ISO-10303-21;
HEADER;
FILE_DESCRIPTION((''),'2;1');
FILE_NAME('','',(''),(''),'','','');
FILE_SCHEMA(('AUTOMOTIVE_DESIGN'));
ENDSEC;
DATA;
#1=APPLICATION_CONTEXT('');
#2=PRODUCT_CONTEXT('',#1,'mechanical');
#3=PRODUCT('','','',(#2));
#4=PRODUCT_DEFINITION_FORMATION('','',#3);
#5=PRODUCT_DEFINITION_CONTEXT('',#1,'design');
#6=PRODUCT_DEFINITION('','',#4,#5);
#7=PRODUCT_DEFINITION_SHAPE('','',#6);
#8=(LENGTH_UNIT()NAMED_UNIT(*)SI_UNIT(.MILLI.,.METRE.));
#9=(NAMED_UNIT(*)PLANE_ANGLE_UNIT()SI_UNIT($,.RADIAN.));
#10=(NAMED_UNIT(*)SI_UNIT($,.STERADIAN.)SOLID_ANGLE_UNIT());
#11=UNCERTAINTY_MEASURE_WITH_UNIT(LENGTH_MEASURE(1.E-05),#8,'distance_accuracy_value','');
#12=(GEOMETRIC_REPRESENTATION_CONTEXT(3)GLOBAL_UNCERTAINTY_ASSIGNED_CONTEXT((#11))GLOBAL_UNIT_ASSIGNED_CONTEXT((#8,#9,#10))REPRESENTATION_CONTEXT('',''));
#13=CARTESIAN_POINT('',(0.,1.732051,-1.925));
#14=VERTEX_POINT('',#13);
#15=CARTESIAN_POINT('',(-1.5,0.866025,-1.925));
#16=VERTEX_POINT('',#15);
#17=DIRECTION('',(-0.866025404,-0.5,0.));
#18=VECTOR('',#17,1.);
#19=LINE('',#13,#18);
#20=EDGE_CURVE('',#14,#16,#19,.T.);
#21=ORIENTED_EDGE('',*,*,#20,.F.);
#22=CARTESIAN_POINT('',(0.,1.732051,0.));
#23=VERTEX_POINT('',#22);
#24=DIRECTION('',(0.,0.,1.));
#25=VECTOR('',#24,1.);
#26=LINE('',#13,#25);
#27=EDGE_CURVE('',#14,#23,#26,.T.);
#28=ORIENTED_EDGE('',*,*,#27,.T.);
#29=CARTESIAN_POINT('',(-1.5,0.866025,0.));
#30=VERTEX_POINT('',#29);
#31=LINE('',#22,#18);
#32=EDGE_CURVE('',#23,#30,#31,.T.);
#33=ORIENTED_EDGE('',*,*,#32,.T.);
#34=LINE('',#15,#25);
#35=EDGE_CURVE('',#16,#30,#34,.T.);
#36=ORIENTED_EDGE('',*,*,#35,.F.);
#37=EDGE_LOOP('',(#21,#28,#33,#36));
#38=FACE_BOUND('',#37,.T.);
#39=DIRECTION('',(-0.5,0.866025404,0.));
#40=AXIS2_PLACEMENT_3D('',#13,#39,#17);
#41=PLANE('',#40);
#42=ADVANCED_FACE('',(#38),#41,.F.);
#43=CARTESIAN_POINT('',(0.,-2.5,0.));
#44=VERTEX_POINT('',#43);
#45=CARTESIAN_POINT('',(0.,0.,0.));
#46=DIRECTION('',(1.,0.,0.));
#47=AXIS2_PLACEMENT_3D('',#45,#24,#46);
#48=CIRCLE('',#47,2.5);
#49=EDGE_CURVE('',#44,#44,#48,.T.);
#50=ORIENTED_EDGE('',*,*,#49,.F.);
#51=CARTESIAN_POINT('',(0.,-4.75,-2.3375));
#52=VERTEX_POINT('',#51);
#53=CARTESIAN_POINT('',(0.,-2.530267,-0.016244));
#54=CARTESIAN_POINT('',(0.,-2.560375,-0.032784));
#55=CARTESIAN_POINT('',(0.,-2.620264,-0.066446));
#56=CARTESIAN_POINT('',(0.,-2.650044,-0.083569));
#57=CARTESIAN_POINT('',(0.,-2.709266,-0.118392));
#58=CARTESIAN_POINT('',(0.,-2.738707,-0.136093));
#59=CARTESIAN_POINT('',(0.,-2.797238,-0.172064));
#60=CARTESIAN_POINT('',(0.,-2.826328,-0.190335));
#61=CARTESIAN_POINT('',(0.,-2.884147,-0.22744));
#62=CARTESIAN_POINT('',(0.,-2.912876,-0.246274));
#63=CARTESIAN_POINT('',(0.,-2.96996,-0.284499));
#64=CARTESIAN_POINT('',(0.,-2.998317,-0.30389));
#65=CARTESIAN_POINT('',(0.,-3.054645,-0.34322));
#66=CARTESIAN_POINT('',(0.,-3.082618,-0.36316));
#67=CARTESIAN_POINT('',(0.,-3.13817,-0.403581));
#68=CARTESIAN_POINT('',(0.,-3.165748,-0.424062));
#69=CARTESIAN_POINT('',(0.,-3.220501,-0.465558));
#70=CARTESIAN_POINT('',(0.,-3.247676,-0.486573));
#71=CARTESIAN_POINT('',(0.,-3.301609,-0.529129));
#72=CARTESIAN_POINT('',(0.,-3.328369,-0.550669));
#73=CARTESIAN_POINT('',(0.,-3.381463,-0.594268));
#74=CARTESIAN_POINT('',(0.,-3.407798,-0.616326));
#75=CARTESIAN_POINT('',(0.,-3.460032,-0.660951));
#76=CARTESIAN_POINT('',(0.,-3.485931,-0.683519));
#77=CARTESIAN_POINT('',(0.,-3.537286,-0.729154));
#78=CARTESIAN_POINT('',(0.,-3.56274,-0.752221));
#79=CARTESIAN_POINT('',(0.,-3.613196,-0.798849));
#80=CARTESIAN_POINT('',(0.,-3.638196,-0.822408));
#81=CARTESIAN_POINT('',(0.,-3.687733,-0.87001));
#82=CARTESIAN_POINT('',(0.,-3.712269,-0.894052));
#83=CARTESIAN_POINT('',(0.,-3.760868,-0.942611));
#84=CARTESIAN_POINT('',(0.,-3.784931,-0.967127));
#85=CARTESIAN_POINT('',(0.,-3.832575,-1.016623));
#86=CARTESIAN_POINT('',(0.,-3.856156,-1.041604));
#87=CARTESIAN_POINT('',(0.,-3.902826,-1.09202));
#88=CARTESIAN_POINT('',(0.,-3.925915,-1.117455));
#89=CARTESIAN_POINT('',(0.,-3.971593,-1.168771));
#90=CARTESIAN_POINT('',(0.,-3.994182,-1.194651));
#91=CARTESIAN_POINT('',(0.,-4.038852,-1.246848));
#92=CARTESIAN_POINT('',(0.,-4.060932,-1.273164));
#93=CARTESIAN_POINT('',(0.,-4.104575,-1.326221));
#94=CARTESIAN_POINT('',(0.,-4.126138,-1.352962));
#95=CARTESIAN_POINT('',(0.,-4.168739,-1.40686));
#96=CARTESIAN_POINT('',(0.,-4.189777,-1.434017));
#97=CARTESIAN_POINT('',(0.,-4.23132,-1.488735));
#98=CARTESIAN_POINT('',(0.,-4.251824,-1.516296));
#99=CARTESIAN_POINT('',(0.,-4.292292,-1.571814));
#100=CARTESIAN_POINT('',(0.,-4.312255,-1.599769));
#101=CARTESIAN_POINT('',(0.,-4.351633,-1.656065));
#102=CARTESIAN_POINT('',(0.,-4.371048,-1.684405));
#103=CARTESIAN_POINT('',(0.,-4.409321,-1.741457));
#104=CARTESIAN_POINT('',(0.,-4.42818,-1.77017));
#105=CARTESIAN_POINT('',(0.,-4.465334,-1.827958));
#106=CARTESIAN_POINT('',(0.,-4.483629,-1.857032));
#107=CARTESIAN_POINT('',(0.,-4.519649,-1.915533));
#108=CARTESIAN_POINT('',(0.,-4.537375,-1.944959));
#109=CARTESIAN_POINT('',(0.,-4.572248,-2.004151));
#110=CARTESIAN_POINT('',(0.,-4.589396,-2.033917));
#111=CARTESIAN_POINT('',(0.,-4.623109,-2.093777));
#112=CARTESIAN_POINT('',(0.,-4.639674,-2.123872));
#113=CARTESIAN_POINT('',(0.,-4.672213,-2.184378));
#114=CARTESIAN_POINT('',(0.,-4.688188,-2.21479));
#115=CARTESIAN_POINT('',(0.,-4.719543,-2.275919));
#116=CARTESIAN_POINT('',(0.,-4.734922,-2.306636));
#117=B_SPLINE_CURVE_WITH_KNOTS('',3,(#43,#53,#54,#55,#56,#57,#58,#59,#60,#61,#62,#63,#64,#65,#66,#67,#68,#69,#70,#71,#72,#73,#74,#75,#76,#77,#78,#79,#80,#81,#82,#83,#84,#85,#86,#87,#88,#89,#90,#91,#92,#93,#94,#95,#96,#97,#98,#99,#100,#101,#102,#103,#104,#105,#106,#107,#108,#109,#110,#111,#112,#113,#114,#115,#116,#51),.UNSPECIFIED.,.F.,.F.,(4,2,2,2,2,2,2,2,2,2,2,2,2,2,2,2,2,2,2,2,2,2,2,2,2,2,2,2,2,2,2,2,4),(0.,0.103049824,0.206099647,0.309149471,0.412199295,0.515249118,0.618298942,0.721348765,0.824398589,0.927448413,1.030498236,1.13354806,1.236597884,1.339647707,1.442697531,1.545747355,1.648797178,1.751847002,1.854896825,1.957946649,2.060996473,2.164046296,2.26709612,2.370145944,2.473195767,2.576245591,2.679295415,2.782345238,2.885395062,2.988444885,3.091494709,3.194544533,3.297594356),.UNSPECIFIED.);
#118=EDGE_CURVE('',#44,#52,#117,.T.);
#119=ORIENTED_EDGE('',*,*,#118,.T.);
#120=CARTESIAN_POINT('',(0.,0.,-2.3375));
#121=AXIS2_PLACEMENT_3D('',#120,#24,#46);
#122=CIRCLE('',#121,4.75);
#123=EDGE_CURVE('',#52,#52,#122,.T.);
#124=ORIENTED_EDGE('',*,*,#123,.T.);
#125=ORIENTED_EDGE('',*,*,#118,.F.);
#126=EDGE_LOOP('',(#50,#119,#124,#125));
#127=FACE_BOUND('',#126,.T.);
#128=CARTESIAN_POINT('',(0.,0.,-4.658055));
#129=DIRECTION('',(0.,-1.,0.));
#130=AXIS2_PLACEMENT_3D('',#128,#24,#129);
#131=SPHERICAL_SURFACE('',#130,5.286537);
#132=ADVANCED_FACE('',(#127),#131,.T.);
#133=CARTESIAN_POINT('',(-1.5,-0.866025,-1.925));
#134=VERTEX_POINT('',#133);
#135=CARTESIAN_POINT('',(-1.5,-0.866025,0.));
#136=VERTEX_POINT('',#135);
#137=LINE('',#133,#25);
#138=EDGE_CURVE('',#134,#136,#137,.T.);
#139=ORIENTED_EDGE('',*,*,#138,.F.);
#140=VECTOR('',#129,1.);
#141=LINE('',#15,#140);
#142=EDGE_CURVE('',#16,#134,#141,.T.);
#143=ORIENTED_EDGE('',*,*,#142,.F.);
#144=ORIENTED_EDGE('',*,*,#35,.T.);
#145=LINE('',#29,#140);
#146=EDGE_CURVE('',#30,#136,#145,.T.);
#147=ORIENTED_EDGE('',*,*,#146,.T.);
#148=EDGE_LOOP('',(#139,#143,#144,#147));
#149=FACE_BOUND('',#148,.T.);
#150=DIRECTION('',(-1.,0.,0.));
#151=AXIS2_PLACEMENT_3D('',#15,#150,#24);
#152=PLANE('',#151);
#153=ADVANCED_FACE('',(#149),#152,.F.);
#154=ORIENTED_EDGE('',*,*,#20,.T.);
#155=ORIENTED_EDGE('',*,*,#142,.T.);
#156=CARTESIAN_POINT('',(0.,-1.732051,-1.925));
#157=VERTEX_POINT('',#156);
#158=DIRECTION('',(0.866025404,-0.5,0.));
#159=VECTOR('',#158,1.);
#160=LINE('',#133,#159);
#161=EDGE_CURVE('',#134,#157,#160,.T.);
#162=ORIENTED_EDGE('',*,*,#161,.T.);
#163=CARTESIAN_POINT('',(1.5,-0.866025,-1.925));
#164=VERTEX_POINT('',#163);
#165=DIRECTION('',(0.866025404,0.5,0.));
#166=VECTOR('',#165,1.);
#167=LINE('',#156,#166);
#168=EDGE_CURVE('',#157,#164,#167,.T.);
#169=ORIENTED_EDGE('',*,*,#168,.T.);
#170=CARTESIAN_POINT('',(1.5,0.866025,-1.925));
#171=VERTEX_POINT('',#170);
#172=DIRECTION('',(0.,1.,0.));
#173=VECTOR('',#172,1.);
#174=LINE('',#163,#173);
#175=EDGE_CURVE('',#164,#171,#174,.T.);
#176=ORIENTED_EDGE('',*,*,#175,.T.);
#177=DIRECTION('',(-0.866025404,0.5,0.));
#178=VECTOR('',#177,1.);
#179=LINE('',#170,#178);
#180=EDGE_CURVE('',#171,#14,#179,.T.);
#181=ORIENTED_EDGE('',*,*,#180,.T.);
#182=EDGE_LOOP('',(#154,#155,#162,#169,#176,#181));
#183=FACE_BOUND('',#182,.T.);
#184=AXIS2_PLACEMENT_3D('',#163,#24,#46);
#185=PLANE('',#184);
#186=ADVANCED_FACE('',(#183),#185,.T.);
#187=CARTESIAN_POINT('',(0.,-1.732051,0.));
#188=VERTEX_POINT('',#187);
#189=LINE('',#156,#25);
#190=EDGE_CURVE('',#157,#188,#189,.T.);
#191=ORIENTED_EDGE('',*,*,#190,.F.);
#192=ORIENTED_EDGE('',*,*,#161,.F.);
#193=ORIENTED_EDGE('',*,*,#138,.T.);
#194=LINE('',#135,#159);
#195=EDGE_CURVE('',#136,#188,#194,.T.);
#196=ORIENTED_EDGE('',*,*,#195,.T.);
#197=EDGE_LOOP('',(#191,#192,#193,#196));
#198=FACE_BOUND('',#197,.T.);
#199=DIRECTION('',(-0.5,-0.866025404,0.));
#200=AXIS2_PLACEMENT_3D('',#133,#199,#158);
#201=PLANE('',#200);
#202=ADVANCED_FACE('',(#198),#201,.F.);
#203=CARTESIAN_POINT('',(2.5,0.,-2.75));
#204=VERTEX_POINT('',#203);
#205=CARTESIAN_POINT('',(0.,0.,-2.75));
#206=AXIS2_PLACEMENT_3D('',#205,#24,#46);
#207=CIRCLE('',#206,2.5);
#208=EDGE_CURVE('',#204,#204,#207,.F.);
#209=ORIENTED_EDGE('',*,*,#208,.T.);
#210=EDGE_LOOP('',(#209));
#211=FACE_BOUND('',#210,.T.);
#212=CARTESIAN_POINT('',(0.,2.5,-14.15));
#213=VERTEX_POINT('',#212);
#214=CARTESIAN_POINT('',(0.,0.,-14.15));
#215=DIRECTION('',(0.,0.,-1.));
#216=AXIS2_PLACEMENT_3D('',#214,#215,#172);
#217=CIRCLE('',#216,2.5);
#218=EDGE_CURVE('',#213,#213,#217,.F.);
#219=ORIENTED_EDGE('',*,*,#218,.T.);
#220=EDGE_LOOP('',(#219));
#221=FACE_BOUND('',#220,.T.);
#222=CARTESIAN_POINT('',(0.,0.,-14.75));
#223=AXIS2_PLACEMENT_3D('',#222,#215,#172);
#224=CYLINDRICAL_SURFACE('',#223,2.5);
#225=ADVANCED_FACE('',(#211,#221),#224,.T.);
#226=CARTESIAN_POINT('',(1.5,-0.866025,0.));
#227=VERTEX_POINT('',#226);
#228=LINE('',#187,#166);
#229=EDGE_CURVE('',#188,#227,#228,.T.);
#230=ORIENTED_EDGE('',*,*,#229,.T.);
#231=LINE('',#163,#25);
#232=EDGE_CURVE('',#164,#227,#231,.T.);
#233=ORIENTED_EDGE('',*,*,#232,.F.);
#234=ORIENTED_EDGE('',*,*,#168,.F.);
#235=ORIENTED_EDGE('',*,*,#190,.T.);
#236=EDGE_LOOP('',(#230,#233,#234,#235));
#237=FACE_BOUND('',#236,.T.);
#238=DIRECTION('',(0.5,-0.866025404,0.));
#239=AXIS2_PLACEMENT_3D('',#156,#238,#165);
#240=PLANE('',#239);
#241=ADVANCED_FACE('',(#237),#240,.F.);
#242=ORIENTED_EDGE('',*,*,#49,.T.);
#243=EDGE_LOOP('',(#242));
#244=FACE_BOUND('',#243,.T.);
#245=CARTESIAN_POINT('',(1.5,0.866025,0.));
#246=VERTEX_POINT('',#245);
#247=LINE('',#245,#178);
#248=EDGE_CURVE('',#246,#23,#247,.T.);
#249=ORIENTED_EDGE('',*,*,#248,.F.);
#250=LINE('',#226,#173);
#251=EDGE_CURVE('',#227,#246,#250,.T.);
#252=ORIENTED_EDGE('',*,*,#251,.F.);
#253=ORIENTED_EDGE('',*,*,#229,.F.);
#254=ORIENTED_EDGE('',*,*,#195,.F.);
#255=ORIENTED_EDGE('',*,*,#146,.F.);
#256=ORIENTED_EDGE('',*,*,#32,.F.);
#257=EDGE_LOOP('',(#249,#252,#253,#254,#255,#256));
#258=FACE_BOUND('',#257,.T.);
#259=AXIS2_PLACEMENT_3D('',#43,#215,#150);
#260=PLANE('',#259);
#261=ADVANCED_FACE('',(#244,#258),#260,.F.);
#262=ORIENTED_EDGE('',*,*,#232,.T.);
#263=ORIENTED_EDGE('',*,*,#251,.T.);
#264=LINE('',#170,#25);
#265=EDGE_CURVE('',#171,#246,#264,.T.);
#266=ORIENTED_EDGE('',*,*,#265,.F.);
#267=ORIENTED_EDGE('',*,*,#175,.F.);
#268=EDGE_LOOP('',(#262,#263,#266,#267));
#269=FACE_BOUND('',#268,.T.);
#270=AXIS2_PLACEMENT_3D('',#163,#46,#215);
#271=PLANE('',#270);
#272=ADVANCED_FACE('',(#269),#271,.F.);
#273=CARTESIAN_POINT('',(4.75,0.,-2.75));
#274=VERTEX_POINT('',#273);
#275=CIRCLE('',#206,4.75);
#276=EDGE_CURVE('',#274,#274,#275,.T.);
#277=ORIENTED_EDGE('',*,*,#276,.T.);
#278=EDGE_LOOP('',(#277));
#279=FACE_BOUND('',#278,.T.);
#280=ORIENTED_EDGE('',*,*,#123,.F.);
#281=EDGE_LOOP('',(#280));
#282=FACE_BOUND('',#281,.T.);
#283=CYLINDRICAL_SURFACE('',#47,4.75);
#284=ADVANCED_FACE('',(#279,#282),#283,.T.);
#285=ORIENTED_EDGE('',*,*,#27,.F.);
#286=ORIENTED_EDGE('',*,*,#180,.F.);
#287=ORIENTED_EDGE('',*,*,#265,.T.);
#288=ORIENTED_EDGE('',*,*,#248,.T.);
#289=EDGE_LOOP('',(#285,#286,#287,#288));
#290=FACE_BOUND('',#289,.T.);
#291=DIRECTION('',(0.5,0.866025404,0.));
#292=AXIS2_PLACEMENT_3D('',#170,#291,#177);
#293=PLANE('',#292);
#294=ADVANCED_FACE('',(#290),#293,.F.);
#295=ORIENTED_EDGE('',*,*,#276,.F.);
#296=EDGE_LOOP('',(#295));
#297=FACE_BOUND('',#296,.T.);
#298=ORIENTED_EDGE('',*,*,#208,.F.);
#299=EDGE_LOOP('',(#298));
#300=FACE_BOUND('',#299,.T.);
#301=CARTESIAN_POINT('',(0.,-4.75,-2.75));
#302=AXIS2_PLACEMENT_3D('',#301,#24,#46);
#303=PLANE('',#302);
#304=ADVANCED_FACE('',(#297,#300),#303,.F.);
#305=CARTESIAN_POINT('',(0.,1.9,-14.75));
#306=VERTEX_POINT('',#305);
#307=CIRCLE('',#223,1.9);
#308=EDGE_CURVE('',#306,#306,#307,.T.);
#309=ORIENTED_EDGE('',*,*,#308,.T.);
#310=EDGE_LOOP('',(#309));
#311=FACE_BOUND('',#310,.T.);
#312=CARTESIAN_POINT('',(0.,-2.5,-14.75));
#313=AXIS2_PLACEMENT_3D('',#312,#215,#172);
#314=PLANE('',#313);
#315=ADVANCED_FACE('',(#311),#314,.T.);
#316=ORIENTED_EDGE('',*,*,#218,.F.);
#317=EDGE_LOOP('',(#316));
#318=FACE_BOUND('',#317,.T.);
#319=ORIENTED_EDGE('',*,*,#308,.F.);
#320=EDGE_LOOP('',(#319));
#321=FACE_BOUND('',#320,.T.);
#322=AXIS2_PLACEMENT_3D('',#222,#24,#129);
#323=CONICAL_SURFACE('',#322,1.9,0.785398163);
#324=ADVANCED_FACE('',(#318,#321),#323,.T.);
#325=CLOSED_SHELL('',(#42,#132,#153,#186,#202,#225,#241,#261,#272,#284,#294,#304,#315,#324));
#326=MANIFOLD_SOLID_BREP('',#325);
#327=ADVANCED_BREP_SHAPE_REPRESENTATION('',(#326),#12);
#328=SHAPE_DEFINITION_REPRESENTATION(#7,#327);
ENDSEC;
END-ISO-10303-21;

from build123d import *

# Parameters (mm, degrees)
SKETCH1_W          = 12
SKETCH1_H          = 2.5
CHAMFER1_SIZE      = 0.6
CUT_EXTRUDE2_DEPTH = 1.925


with BuildPart() as part:
    # Sketch1 → Revolve1 (revolve)
    with BuildSketch(Plane(origin=(0, 0, 0), x_dir=(0, 0, -1), z_dir=(1, 0, 0))):
        with Locations((8.75, 1.25)):
            Rectangle(SKETCH1_W, SKETCH1_H)
    revolve(axis=Axis((0, 0, -14.75), (0, 0, 1)))

    # Chamfer1
    chamfer1_edges = [part.edges().sort_by_distance(p)[0] for p in [
        (0, -2.5, -14.75),
    ]]
    chamfer(chamfer1_edges, length=CHAMFER1_SIZE)

    # Sketch7 → Revolve2 (revolve)
    with BuildSketch(Plane(origin=(0, 0, 0), x_dir=(0, 0, -1), z_dir=(1, 0, 0))):
        with BuildLine():
            Line((2.3375, 4.75), (2.75, 4.75))
            Line((2.75, 4.75), (2.75, 0))
            Line((2.75, 0), (0, 0))
            Line((0, 0), (0, 2.5))
            ThreePointArc((0, 2.5), (0.991875183, 3.808753282), (2.3375, 4.75))
        make_face()
    revolve(axis=Axis((0, 0, 0), (0, 0, -1)))

    # Sketch5 → Cut-Extrude2 (cut)
    with BuildSketch(Plane.XY):
        Polygon((1.5, -0.866025404), (1.5, 0.866025404), (0, 1.732050808), (-1.5, 0.866025404), (-1.5, -0.866025404), (0, -1.732050808), align=None)
    extrude(amount=-CUT_EXTRUDE2_DEPTH, mode=Mode.SUBTRACT)


solid = part.part
